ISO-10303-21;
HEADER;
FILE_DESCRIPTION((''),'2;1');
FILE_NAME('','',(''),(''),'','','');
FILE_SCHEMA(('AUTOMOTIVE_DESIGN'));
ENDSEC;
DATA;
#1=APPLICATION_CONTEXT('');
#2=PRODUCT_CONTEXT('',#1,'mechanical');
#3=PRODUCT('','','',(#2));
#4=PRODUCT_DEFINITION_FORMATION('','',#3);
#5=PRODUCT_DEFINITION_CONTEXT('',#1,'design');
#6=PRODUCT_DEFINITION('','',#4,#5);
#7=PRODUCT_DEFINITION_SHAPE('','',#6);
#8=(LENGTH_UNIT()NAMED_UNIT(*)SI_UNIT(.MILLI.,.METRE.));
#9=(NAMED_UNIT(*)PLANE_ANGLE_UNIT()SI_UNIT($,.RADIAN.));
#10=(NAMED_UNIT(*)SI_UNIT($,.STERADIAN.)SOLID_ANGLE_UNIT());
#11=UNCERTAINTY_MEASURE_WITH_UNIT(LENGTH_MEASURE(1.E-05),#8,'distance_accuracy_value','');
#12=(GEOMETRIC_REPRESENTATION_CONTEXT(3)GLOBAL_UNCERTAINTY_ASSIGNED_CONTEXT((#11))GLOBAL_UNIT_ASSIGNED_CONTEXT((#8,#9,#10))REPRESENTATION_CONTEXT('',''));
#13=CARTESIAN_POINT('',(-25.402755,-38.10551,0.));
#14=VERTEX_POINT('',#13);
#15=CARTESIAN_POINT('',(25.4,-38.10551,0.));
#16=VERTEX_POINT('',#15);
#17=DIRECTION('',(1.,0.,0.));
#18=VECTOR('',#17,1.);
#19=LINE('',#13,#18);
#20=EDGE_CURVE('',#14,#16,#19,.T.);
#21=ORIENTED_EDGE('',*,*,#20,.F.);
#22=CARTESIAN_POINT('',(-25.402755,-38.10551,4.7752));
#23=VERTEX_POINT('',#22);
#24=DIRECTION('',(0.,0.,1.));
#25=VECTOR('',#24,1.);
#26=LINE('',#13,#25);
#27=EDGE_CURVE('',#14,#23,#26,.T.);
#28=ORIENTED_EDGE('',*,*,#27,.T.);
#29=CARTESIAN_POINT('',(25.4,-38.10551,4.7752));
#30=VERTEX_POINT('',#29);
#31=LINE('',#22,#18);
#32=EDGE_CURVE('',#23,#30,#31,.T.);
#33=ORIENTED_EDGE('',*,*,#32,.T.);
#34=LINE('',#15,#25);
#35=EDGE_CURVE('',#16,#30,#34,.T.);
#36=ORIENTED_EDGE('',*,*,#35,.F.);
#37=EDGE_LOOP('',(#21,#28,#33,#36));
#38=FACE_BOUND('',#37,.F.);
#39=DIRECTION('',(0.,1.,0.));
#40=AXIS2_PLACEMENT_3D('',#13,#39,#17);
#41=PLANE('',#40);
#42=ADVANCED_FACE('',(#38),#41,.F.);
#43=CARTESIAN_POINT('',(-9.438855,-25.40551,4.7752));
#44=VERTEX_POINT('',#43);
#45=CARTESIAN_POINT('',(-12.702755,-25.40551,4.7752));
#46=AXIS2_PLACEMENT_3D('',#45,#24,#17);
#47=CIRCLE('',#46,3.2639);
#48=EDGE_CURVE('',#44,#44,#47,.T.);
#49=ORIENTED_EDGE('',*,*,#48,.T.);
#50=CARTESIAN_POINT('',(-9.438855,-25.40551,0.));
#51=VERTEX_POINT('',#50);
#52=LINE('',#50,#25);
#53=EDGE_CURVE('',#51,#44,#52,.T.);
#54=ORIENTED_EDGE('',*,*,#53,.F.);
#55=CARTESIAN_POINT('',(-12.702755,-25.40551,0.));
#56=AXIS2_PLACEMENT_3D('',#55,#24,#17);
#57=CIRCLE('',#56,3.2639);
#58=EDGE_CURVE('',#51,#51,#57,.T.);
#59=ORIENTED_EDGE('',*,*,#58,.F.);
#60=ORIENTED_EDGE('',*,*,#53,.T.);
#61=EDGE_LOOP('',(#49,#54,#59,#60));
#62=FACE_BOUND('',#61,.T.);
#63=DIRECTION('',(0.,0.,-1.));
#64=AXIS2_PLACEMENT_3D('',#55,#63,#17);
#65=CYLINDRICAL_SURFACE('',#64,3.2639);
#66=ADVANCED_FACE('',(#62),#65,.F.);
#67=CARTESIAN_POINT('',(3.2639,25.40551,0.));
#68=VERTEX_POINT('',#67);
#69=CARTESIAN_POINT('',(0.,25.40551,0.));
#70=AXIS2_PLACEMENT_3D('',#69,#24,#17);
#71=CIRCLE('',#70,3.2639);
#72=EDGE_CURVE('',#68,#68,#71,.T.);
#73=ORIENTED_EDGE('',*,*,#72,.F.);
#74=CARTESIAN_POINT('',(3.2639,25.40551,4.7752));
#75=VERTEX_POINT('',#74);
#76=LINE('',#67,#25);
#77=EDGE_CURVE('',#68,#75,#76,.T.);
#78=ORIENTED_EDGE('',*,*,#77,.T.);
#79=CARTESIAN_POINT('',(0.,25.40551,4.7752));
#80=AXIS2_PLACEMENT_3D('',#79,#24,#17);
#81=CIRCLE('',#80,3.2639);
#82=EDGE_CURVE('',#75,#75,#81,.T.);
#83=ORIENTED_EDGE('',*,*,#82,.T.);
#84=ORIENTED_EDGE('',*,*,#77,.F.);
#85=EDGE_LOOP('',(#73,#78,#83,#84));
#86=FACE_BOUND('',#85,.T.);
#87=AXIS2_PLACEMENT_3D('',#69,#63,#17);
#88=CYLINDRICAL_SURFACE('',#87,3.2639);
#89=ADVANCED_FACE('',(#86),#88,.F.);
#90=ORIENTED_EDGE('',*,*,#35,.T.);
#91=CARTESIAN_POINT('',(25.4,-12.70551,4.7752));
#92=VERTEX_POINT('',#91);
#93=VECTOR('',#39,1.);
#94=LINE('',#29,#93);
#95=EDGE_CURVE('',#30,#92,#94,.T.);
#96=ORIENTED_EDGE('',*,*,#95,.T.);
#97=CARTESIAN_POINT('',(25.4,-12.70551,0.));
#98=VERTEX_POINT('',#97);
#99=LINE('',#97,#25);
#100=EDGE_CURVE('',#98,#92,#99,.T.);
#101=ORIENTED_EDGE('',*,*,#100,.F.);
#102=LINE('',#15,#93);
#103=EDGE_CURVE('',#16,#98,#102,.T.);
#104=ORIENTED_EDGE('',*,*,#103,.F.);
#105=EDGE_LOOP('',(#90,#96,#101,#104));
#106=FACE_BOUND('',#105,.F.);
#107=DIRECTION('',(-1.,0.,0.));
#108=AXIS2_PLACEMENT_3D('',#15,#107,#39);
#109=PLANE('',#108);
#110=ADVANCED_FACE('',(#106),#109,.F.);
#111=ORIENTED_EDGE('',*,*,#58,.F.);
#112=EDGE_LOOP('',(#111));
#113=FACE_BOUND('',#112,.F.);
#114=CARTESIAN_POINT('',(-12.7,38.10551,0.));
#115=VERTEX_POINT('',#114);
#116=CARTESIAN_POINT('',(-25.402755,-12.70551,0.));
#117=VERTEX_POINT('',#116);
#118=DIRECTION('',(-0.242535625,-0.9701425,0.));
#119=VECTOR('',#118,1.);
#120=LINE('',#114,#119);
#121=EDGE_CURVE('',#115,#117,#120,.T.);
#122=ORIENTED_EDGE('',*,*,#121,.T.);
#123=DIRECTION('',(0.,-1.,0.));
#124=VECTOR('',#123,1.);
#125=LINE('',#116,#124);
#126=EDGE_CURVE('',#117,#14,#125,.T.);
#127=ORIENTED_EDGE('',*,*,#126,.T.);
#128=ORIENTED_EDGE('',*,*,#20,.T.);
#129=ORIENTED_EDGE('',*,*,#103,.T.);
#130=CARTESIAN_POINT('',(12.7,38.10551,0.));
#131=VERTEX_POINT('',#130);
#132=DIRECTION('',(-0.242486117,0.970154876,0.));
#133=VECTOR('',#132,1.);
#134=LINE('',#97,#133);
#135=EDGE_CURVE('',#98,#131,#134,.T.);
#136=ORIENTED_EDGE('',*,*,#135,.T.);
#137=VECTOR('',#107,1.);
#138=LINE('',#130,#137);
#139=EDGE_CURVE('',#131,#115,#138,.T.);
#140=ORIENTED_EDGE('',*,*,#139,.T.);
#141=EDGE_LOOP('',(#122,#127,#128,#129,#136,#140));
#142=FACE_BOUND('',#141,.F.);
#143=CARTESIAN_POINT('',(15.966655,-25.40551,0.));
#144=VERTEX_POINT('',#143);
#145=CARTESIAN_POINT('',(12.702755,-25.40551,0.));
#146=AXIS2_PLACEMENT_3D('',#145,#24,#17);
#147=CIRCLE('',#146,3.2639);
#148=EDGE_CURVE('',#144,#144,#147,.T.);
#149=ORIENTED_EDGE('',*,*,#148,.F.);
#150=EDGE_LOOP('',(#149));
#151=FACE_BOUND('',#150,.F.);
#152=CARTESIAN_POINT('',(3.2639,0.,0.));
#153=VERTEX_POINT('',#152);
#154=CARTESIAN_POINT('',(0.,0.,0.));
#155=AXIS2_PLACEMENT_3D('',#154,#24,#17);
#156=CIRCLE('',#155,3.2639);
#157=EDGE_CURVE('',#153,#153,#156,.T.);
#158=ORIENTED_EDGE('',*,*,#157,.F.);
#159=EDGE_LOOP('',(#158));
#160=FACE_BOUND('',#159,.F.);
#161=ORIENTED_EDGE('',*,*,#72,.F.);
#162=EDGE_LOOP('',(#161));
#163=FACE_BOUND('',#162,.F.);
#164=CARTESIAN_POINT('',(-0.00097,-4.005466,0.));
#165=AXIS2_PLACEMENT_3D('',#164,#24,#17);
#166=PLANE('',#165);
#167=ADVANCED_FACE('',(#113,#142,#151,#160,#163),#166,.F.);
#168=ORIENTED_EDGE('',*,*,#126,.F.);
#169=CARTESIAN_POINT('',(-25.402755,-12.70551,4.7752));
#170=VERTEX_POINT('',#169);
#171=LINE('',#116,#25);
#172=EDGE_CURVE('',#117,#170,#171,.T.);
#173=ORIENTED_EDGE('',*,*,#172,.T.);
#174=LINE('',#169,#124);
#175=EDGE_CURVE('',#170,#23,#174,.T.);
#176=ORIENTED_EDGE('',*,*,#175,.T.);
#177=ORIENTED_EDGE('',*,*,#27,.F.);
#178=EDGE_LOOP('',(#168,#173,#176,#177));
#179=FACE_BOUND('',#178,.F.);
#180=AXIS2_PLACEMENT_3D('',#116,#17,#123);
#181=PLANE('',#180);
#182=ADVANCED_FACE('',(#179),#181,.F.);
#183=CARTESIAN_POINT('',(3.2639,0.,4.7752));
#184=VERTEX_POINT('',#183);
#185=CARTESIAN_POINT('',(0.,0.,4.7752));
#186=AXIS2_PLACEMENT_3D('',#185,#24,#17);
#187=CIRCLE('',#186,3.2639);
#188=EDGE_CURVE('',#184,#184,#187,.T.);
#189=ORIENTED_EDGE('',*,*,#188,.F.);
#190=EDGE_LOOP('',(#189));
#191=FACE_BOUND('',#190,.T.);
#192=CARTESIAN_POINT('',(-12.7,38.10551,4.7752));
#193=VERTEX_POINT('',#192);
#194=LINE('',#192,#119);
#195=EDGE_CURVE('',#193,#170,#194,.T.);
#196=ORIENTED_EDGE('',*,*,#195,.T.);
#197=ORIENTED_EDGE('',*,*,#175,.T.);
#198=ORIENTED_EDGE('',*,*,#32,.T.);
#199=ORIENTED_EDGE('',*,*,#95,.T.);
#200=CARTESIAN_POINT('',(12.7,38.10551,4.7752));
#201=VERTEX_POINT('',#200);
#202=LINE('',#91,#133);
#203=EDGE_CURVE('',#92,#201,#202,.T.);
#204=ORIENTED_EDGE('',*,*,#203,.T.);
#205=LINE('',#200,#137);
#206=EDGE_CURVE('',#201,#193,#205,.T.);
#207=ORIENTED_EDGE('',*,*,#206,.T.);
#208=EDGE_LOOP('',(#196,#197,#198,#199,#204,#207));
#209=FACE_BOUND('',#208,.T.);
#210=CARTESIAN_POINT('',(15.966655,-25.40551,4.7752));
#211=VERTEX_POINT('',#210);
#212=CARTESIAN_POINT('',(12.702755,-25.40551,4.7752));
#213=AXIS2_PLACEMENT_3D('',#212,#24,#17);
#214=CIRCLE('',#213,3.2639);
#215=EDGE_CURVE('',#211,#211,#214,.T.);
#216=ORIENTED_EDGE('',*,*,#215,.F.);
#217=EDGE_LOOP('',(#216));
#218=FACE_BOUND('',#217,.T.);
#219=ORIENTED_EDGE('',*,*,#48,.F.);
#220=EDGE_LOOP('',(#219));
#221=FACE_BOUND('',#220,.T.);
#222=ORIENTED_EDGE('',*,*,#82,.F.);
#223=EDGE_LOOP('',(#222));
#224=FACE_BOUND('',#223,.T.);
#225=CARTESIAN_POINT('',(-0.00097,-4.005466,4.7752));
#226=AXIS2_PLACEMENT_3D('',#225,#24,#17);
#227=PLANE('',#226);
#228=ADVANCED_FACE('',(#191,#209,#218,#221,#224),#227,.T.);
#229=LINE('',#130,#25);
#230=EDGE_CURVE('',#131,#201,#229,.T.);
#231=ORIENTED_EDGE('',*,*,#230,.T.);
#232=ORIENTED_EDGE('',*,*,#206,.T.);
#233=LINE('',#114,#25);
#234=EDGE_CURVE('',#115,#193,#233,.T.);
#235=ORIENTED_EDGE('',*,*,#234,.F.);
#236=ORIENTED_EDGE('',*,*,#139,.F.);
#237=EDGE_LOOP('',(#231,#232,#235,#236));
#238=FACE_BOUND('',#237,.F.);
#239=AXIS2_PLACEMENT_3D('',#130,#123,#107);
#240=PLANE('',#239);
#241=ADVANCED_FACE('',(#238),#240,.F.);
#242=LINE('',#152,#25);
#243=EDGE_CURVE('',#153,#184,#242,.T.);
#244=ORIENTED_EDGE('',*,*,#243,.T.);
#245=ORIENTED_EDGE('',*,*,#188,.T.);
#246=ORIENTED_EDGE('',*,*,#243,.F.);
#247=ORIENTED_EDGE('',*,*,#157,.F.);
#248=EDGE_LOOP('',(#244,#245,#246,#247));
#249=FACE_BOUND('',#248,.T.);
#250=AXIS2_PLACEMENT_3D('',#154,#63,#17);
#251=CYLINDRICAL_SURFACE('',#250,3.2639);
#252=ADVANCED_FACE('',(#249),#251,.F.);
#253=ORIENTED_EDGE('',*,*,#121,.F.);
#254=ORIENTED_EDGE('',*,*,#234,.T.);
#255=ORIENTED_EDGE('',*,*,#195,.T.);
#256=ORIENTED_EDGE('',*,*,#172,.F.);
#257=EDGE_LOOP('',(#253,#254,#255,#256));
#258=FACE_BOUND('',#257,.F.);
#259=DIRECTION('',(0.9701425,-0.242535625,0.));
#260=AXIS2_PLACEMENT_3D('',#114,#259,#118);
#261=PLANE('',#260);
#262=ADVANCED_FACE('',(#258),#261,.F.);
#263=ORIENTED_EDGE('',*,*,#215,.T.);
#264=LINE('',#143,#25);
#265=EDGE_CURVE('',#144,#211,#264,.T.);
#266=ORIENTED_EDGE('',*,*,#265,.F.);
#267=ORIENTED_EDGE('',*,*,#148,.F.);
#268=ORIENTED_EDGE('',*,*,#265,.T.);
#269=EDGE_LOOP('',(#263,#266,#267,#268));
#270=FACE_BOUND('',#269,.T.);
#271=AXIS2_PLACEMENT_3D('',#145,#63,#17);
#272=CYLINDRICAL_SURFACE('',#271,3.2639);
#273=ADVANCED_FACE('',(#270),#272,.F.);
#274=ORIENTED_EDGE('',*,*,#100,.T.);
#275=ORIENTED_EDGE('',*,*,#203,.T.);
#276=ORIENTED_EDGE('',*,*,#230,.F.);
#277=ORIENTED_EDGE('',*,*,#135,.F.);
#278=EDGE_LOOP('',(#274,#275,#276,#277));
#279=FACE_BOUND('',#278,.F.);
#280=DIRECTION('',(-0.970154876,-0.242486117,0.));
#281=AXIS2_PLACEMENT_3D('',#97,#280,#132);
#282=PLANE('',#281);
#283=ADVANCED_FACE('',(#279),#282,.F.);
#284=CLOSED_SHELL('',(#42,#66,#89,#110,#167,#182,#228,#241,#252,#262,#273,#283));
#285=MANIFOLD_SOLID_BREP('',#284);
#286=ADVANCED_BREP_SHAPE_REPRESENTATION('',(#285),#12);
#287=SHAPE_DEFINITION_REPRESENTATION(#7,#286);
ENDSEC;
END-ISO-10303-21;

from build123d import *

# Parameters (mm, degrees)
F0_R     = 3.2639
F1_DEPTH = 4.7752


with BuildPart() as f1:
    # F0 (on Top) → F1 (new body)
    with BuildSketch(Plane.XY):
        Polygon((25.4, -12.70551), (12.7, 38.10551), (-12.7, 38.10551), (-25.402755, -12.70551), (-25.402755, -38.10551), (25.4, -38.10551), align=None)
        with Locations((-12.702755, -25.40551)):
            Circle(F0_R, mode=Mode.SUBTRACT)
        with Locations((12.702755, -25.40551)):
            Circle(F0_R, mode=Mode.SUBTRACT)
        Circle(F0_R, mode=Mode.SUBTRACT)
        with Locations((0, 25.40551)):
            Circle(F0_R, mode=Mode.SUBTRACT)
    extrude(amount=F1_DEPTH)


solid = f1.part
